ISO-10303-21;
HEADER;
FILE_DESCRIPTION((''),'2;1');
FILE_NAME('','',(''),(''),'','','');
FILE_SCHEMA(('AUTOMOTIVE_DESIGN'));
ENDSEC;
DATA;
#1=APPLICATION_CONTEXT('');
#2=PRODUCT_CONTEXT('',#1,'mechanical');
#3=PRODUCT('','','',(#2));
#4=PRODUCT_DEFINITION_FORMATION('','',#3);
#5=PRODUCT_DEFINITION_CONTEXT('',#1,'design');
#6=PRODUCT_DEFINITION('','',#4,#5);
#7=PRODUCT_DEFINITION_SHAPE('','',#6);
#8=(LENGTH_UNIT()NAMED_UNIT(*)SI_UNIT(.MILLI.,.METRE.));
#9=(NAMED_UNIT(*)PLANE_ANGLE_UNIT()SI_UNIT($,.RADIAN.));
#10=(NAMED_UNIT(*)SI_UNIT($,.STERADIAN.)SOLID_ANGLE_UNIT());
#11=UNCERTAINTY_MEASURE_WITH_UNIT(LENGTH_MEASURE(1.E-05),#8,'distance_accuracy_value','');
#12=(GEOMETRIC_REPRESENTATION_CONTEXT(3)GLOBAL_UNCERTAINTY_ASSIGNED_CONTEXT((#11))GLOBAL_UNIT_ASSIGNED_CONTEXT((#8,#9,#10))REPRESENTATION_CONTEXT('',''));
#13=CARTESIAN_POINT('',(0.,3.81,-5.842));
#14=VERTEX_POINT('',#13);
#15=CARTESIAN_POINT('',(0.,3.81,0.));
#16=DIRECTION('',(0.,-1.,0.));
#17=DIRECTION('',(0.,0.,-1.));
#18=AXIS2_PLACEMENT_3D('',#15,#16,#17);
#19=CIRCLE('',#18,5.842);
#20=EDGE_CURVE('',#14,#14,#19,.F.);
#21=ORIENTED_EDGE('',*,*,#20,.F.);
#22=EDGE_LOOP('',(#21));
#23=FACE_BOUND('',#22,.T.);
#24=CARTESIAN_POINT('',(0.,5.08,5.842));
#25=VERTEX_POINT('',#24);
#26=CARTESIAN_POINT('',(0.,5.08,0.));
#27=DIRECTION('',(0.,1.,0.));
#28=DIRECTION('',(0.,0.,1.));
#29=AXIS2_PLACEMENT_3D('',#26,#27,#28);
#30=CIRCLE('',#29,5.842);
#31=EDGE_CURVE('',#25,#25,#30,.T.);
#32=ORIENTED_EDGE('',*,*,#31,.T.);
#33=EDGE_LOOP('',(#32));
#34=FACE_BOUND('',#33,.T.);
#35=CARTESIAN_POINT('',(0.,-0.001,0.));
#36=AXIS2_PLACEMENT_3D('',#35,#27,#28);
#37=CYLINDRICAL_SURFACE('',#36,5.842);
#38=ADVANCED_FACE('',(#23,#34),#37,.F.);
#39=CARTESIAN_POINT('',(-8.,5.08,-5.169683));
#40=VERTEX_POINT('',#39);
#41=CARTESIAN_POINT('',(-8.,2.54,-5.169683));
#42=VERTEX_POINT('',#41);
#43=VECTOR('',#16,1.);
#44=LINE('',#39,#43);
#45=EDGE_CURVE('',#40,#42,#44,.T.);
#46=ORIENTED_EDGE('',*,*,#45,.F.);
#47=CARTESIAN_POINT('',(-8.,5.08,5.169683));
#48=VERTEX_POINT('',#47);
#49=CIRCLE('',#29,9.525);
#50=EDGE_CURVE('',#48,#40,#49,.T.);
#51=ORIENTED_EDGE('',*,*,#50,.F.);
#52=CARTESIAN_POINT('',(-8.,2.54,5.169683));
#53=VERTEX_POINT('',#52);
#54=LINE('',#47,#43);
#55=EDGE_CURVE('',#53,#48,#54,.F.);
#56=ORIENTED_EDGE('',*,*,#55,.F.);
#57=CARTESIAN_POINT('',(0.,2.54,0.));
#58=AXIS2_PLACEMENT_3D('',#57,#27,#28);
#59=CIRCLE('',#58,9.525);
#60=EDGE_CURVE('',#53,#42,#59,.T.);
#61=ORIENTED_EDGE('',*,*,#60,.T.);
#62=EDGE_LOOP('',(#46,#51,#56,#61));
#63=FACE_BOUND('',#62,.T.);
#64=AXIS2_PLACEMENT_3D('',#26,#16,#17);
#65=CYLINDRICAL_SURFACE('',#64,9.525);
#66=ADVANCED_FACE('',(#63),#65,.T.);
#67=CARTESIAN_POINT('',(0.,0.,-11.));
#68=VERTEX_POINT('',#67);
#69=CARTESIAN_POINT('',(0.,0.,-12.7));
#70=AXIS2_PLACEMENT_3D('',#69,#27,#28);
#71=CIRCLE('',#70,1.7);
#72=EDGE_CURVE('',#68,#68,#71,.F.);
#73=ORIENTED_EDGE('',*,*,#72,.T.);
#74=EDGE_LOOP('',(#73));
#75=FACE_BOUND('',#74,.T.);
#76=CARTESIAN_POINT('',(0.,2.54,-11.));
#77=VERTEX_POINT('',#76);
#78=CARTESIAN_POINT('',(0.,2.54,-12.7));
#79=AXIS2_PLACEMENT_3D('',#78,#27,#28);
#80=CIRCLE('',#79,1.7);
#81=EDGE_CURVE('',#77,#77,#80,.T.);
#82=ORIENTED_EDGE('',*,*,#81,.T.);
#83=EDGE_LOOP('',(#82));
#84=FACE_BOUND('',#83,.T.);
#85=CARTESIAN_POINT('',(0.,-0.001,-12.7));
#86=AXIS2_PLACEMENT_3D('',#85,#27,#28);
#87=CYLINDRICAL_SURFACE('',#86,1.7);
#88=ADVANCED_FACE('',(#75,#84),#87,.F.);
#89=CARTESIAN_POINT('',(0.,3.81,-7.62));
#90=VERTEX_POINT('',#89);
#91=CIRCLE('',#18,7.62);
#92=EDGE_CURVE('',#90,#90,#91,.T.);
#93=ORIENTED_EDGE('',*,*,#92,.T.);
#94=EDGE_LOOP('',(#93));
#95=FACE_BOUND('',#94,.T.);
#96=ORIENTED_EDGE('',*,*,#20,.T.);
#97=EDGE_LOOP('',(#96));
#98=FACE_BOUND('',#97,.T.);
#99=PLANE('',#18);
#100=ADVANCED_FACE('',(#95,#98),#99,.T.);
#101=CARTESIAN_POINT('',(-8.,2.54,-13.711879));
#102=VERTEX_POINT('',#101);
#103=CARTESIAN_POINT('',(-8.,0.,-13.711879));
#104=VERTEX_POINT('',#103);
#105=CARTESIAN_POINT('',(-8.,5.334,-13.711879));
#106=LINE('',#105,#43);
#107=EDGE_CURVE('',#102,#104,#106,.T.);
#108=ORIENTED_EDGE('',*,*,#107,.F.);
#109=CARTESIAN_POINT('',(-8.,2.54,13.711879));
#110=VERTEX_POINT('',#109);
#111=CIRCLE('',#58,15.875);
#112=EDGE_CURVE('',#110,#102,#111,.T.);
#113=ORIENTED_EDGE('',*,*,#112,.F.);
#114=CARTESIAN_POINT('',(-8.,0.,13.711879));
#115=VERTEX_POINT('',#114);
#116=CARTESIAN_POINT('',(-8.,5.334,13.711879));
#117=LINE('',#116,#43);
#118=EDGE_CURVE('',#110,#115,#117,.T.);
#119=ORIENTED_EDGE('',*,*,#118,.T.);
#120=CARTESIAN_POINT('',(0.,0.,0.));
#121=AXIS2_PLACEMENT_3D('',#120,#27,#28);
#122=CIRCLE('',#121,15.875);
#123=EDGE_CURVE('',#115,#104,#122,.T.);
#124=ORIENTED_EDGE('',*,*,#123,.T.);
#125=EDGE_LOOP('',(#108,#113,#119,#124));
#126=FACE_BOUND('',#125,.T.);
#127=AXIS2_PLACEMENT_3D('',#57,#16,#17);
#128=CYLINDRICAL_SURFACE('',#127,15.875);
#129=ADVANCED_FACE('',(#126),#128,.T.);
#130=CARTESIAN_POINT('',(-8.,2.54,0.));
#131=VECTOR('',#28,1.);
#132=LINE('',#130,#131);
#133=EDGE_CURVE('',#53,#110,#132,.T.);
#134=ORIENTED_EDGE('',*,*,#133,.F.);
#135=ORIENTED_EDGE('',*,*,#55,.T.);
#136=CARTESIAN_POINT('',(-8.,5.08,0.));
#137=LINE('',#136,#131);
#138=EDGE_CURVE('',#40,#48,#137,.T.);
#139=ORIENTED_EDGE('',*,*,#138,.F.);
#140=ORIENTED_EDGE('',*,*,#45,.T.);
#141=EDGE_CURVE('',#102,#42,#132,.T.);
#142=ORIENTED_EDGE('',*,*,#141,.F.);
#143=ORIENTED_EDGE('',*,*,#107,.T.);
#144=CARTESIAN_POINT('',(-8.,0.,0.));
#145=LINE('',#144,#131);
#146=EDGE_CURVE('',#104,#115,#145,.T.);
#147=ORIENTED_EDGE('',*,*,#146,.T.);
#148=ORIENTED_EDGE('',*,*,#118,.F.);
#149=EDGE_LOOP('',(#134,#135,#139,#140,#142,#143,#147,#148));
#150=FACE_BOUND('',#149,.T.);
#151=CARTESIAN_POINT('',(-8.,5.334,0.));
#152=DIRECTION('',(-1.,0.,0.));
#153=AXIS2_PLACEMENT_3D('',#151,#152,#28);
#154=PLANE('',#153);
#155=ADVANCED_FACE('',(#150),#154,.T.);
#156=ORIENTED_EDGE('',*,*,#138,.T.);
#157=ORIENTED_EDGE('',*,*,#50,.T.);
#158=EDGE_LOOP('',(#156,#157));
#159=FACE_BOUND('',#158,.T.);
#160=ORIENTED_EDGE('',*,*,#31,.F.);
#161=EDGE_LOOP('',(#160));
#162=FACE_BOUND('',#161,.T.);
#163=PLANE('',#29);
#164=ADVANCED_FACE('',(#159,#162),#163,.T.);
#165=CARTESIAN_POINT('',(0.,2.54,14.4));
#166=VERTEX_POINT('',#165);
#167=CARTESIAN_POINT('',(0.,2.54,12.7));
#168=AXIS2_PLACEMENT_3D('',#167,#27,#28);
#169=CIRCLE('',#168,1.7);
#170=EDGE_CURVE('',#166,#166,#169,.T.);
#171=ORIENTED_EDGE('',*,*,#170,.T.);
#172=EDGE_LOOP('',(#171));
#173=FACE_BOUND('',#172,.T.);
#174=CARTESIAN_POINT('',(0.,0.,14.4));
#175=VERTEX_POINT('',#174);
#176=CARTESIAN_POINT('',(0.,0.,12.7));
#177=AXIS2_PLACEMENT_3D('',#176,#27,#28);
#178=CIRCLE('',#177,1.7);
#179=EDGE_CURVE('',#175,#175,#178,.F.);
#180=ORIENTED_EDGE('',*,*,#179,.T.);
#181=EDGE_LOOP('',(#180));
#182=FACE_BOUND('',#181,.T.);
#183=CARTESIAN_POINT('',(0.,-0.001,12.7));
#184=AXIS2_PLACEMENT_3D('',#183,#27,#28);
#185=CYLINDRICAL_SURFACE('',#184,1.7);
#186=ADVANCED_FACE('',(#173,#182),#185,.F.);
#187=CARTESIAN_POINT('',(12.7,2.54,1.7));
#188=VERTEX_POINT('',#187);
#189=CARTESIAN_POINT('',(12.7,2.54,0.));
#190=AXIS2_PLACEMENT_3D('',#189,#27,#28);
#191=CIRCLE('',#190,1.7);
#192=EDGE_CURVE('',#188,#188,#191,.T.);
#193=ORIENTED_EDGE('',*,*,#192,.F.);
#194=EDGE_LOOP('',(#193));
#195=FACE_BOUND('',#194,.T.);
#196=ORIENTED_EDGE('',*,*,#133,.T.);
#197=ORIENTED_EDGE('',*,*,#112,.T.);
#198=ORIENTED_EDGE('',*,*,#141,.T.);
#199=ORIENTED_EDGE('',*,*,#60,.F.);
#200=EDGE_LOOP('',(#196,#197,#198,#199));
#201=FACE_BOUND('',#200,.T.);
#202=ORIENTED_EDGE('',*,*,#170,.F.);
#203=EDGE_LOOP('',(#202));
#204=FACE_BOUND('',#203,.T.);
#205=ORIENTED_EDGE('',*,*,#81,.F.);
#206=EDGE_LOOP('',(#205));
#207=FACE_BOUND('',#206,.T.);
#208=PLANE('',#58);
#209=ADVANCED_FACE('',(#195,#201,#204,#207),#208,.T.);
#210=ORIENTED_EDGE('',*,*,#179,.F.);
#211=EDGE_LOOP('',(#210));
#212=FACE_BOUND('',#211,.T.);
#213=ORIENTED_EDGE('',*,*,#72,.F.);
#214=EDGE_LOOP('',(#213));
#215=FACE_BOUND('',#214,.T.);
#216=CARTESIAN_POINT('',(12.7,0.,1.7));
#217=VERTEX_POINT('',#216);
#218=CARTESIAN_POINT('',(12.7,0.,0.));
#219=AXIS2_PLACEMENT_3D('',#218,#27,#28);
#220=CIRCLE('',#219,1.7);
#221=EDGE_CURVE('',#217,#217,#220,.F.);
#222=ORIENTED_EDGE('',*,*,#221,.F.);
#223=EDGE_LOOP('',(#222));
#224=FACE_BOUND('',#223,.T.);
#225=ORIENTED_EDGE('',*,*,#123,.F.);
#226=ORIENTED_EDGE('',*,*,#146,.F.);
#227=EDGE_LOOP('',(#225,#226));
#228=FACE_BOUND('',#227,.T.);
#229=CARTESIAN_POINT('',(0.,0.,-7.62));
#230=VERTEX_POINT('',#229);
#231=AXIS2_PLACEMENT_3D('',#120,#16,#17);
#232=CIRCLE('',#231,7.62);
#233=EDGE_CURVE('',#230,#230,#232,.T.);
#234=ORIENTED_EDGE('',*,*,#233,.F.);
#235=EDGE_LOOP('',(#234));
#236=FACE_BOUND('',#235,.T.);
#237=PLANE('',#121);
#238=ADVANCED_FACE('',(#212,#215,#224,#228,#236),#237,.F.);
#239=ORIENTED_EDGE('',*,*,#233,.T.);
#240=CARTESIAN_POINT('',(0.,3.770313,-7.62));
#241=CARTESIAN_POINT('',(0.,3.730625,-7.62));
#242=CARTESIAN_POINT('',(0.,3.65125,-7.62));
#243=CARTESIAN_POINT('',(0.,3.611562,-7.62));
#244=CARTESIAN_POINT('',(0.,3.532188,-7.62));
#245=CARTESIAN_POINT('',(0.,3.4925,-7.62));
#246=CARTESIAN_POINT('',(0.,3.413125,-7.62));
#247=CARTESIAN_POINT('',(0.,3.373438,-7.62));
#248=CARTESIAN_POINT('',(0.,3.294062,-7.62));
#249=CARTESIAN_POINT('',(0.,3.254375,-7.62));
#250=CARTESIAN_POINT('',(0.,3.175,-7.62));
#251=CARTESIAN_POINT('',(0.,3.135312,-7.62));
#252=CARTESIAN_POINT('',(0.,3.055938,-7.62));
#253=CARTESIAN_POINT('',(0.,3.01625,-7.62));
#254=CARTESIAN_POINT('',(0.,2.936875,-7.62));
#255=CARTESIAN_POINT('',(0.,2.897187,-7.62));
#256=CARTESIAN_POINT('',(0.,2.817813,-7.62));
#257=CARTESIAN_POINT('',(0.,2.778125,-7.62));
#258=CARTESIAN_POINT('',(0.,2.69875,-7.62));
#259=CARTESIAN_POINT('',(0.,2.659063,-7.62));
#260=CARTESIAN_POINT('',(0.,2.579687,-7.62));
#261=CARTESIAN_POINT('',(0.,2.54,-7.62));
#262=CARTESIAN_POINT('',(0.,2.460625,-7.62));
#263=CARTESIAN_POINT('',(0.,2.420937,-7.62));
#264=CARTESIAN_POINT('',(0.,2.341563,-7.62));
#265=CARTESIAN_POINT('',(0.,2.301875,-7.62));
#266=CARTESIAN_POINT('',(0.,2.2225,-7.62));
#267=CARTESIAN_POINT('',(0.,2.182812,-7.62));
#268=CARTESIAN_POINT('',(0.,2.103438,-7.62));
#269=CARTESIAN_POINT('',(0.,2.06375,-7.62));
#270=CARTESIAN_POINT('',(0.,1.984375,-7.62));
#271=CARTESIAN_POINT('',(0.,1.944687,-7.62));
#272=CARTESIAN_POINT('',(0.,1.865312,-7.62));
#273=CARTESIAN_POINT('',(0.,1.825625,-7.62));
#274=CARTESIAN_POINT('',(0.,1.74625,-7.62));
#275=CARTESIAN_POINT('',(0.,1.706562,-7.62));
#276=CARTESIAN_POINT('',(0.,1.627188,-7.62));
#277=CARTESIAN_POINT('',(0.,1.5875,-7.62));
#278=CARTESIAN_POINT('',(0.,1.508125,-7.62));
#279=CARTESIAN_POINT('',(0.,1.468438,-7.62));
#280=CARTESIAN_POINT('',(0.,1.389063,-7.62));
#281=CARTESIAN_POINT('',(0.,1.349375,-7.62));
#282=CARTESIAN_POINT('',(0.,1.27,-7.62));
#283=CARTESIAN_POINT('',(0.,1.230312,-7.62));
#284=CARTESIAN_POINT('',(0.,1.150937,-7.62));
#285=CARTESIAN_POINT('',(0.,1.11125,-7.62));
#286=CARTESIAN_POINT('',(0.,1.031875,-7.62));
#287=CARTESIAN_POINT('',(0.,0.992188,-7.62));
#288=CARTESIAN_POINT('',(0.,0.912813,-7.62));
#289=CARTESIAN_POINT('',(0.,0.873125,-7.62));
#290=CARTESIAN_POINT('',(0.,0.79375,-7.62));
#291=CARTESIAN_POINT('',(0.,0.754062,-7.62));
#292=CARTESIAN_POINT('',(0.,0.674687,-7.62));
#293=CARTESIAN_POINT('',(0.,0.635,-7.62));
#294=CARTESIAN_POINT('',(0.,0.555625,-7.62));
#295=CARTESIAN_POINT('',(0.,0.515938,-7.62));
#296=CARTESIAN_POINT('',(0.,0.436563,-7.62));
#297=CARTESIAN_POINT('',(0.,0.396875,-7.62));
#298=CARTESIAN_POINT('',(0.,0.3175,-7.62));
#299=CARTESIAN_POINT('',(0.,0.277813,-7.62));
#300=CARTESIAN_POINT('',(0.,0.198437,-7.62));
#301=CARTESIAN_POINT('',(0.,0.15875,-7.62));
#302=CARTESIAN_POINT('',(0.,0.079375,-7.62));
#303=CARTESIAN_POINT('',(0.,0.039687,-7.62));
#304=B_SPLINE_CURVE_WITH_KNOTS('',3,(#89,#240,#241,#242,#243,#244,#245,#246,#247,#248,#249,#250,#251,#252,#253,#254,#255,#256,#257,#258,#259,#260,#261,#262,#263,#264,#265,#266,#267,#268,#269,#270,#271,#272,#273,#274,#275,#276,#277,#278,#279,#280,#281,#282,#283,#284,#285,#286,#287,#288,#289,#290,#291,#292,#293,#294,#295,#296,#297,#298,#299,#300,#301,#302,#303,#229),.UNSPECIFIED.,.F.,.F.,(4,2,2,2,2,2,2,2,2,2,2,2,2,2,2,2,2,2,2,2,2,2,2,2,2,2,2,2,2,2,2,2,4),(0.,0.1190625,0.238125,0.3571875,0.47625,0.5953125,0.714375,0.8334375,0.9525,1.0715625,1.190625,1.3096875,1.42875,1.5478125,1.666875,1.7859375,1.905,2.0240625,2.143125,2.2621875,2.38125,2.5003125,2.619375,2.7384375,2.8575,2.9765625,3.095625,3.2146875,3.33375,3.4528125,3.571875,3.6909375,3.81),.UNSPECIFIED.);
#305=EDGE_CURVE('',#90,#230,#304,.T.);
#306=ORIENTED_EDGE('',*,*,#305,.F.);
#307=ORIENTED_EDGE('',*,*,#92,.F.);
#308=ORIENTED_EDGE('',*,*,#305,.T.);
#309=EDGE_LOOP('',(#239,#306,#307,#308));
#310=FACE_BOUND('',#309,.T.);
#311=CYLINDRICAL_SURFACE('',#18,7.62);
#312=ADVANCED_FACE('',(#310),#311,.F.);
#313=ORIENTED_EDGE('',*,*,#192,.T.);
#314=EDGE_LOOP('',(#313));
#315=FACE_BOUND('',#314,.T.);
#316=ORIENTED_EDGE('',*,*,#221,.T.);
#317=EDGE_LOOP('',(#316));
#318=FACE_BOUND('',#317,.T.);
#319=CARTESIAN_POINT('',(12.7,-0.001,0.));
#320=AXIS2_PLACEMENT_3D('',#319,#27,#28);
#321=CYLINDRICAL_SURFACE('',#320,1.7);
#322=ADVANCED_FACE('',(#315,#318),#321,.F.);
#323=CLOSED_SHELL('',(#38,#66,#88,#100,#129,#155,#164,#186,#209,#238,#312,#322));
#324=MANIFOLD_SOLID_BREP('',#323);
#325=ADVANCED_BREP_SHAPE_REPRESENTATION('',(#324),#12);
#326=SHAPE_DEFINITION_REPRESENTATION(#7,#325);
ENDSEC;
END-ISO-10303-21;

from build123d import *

# Parameters (mm, degrees)
SKETCH1_R                      = 15.875
BOSS_EXTRUDE1_DEPTH            = 2.54
SKETCH2_R                      = 9.525
BOSS_EXTRUDE2_DEPTH            = 2.54
SKETCH3_R                      = 7.62
CUT_EXTRUDE1_DEPTH             = 3.81
CUT_EXTRUDE2_REACH             = 25.018
SKETCH4_R                      = 5.842
CUT_EXTRUDE3_REACH             = 24.594
SKETCH5_R                      = 1.7
CUT_EXTRUDE5_REACH             = 24.594
CUT_EXTRUDE5_DIRECTION_2_DEPTH = 2.794


with BuildPart() as part:
    # Sketch1 → Boss-Extrude1 (new body)
    with BuildSketch(Plane(origin=(0, 0, 0), x_dir=(1, 0, 0), z_dir=(0, 1, 0))):
        with Locations(Location((0, 0, 0), (0, 0, 270))):
            Circle(SKETCH1_R)
    extrude(amount=BOSS_EXTRUDE1_DEPTH)

    # Sketch2 → Boss-Extrude2 (add)
    with BuildSketch(Plane(origin=(0, 2.54, 0), x_dir=(1, 0, 0), z_dir=(0, 1, 0))):
        with Locations(Location((0, 0, 0), (0, 0, 270))):
            Circle(SKETCH2_R)
    extrude(amount=BOSS_EXTRUDE2_DEPTH)

    # Sketch3 → Cut-Extrude1 (cut)
    with BuildSketch(Plane.XZ):
        with Locations(Location((0, 0, 0), (0, 0, 270))):
            Circle(SKETCH3_R)
    extrude(amount=-CUT_EXTRUDE1_DEPTH, mode=Mode.SUBTRACT)

    # Sketch4 → Cut-Extrude2 (cut, up to next)
    with BuildSketch(Plane(origin=(0, 5.08, 0), x_dir=(1, 0, 0), z_dir=(0, 1, 0)), mode=Mode.PRIVATE) as cut_extrude2_sk1:
        with Locations(Location((0, 0, 0), (0, 0, 270))):
            Circle(SKETCH4_R)
    cut_extrude2_tool1 = extrude(cut_extrude2_sk1.sketch, amount=-CUT_EXTRUDE2_REACH, mode=Mode.PRIVATE) & part.part
    add(cut_extrude2_tool1.solids().sort_by_distance((0, 5.08, 0))[0], mode=Mode.SUBTRACT)

    # Sketch5 → Cut-Extrude3 (cut, up to next)
    with BuildSketch(Plane(origin=(0, 2.54, 0), x_dir=(1, 0, 0), z_dir=(0, 1, 0)), mode=Mode.PRIVATE) as cut_extrude3_sk1:
        with Locations(Location((0, 12.7, 0), (0, 0, 270))):
            Circle(SKETCH5_R)
    cut_extrude3_tool1 = extrude(cut_extrude3_sk1.sketch, amount=-CUT_EXTRUDE3_REACH, mode=Mode.PRIVATE) & part.part
    # Sketch5 → Cut-Extrude3 (cut, up to next)
    with BuildSketch(Plane(origin=(0, 2.54, 0), x_dir=(1, 0, 0), z_dir=(0, 1, 0)), mode=Mode.PRIVATE) as cut_extrude3_sk2:
        with Locations(Location((12.7, 0, 0), (0, 0, 270))):
            Circle(SKETCH5_R)
    cut_extrude3_tool2 = extrude(cut_extrude3_sk2.sketch, amount=-CUT_EXTRUDE3_REACH, mode=Mode.PRIVATE) & part.part
    # Sketch5 → Cut-Extrude3 (cut, up to next)
    with BuildSketch(Plane(origin=(0, 2.54, 0), x_dir=(1, 0, 0), z_dir=(0, 1, 0)), mode=Mode.PRIVATE) as cut_extrude3_sk3:
        with Locations(Location((0, -12.7, 0), (0, 0, 270))):
            Circle(SKETCH5_R)
    cut_extrude3_tool3 = extrude(cut_extrude3_sk3.sketch, amount=-CUT_EXTRUDE3_REACH, mode=Mode.PRIVATE) & part.part
    # Sketch5 → Cut-Extrude3 (cut, up to next)
    with BuildSketch(Plane(origin=(0, 2.54, 0), x_dir=(1, 0, 0), z_dir=(0, 1, 0)), mode=Mode.PRIVATE) as cut_extrude3_sk4:
        with Locations(Location((-12.7, 0, 0), (0, 0, 270))):
            Circle(SKETCH5_R)
    cut_extrude3_tool4 = extrude(cut_extrude3_sk4.sketch, amount=-CUT_EXTRUDE3_REACH, mode=Mode.PRIVATE) & part.part
    add(cut_extrude3_tool1.solids().sort_by_distance((0, 2.54, -12.7))[0], mode=Mode.SUBTRACT)
    add(cut_extrude3_tool2.solids().sort_by_distance((12.7, 2.54, 0))[0], mode=Mode.SUBTRACT)
    add(cut_extrude3_tool3.solids().sort_by_distance((0, 2.54, 12.7))[0], mode=Mode.SUBTRACT)
    add(cut_extrude3_tool4.solids().sort_by_distance((-12.7, 2.54, 0))[0], mode=Mode.SUBTRACT)

    # Sketch6 → Cut-Extrude5 (cut, up to next)
    with BuildSketch(Plane(origin=(0, 2.54, 0), x_dir=(1, 0, 0), z_dir=(0, 1, 0)), mode=Mode.PRIVATE) as cut_extrude5_sk1:
        with BuildLine():
            Line((-8, -13.711878974), (-8, 13.711878974))
            ThreePointArc((-8, 13.711878974), (-15.875, 0), (-8, -13.711878974))
        make_face()
    cut_extrude5_tool1 = extrude(cut_extrude5_sk1.sketch, amount=-CUT_EXTRUDE5_REACH, mode=Mode.PRIVATE) & part.part
    add(cut_extrude5_tool1.solids().sort_by_distance((-11.228338, 2.54, 0))[0], mode=Mode.SUBTRACT)

    # Sketch6 → Cut-Extrude5 direction 2 (cut)
    with BuildSketch(Plane(origin=(0, 2.54, 0), x_dir=(1, 0, 0), z_dir=(0, 1, 0))):
        with BuildLine():
            Line((-8, -13.711878974), (-8, 13.711878974))
            ThreePointArc((-8, 13.711878974), (-15.875, 0), (-8, -13.711878974))
        make_face()
    extrude(amount=CUT_EXTRUDE5_DIRECTION_2_DEPTH, mode=Mode.SUBTRACT)


solid = part.part
